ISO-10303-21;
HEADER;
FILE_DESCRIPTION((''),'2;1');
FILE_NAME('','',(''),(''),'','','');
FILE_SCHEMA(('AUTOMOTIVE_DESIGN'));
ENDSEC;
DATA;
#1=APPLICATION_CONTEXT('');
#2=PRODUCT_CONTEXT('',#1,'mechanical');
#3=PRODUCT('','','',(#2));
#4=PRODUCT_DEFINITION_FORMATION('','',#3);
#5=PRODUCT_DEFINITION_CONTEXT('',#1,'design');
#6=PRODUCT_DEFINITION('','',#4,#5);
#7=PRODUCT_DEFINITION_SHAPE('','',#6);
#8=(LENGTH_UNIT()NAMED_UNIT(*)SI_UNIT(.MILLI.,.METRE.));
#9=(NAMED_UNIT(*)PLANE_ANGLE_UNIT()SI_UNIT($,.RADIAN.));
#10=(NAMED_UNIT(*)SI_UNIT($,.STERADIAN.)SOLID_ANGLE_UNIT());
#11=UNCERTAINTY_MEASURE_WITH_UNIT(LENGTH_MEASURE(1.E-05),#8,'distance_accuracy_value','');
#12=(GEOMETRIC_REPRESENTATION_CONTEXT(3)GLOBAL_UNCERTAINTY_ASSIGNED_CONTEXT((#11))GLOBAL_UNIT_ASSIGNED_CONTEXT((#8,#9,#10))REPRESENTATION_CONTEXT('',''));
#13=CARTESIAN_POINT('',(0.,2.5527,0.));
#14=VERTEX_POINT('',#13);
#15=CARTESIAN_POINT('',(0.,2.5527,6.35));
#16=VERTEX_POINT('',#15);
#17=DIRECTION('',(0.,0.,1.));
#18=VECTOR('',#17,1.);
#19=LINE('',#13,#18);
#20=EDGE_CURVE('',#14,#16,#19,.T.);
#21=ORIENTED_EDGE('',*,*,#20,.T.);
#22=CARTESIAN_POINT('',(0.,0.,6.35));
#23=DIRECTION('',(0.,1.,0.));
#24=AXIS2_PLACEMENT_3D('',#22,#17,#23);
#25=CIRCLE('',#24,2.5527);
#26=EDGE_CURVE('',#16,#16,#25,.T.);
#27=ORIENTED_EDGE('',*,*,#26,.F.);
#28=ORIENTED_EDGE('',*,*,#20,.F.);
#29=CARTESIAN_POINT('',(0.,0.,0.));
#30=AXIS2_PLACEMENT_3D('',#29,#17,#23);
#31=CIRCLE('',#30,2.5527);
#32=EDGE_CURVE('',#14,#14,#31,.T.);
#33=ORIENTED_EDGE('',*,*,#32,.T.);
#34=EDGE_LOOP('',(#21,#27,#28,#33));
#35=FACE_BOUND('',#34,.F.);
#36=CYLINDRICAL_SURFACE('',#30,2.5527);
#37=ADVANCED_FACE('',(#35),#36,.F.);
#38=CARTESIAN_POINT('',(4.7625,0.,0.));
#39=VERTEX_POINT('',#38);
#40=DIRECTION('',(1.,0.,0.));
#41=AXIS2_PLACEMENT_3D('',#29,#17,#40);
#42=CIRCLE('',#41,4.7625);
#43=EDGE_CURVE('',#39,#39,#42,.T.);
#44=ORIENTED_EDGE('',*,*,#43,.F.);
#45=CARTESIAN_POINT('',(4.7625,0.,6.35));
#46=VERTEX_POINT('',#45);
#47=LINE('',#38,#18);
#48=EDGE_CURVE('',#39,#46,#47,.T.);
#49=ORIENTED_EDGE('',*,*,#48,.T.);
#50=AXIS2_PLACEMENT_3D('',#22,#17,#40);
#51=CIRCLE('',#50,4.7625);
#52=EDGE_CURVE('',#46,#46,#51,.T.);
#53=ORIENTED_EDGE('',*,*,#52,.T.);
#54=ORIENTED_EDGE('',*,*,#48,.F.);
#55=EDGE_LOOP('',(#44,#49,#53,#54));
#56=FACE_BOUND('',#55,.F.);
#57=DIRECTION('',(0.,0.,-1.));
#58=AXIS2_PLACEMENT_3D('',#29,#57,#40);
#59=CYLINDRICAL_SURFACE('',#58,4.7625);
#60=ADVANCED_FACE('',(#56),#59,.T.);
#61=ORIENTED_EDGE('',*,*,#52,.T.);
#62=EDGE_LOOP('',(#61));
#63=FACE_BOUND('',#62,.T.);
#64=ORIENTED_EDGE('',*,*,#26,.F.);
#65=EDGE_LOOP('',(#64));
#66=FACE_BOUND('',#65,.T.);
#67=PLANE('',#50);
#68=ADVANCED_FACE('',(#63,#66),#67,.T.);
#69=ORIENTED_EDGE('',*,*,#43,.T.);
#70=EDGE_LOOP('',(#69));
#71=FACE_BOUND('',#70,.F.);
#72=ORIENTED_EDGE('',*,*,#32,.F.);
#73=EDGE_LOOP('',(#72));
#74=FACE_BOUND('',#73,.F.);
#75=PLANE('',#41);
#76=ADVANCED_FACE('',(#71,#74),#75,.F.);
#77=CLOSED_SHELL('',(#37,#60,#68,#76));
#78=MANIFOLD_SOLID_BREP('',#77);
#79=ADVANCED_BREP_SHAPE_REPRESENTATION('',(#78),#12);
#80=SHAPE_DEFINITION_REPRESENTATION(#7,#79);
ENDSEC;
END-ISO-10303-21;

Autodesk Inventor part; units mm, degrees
ref_plane "YZ Plane" through (0, 0, 0) normal (1, 0, 0) x (0, 1, 0)
ref_plane "XZ Plane" through (0, 0, 0) normal (0, 1, 0) x (-1, 0, 0)
ref_plane "XY Plane" through (0, 0, 0) normal (0, 0, 1) x (1, 0, 0)
sketch "Sketch1" plane through (0, 0, 0) normal (0, 0, 1) x (1, 0, 0)
  circle A0 centre (0, 0) radius 4.7625
  dimension "d10" = 9.525
extrude "Extrusion1" add sketch "Sketch1" along normal blind 6.35
hole "Hole1" at (0, 0, 0) direction (0, 0, 1) diameter 5.1054 end through all clearance for "Flat Head Machine Screw (82)" size "#10" standard "Ansi Unified Screw Threads"
equation "\"d10\" = OutsideDiameter"
equation "\"d1\" = StandoffLength"
equation "\"d3\" = HoleDiameter"
equation "\"StandoffLength\" = 6.35"
equation "\"HoleDiameter\" = 5.1054"
equation "\"OutsideDiameter\" = 9.525"
properties part number "CL3-012" material "Aluminum 6061"
